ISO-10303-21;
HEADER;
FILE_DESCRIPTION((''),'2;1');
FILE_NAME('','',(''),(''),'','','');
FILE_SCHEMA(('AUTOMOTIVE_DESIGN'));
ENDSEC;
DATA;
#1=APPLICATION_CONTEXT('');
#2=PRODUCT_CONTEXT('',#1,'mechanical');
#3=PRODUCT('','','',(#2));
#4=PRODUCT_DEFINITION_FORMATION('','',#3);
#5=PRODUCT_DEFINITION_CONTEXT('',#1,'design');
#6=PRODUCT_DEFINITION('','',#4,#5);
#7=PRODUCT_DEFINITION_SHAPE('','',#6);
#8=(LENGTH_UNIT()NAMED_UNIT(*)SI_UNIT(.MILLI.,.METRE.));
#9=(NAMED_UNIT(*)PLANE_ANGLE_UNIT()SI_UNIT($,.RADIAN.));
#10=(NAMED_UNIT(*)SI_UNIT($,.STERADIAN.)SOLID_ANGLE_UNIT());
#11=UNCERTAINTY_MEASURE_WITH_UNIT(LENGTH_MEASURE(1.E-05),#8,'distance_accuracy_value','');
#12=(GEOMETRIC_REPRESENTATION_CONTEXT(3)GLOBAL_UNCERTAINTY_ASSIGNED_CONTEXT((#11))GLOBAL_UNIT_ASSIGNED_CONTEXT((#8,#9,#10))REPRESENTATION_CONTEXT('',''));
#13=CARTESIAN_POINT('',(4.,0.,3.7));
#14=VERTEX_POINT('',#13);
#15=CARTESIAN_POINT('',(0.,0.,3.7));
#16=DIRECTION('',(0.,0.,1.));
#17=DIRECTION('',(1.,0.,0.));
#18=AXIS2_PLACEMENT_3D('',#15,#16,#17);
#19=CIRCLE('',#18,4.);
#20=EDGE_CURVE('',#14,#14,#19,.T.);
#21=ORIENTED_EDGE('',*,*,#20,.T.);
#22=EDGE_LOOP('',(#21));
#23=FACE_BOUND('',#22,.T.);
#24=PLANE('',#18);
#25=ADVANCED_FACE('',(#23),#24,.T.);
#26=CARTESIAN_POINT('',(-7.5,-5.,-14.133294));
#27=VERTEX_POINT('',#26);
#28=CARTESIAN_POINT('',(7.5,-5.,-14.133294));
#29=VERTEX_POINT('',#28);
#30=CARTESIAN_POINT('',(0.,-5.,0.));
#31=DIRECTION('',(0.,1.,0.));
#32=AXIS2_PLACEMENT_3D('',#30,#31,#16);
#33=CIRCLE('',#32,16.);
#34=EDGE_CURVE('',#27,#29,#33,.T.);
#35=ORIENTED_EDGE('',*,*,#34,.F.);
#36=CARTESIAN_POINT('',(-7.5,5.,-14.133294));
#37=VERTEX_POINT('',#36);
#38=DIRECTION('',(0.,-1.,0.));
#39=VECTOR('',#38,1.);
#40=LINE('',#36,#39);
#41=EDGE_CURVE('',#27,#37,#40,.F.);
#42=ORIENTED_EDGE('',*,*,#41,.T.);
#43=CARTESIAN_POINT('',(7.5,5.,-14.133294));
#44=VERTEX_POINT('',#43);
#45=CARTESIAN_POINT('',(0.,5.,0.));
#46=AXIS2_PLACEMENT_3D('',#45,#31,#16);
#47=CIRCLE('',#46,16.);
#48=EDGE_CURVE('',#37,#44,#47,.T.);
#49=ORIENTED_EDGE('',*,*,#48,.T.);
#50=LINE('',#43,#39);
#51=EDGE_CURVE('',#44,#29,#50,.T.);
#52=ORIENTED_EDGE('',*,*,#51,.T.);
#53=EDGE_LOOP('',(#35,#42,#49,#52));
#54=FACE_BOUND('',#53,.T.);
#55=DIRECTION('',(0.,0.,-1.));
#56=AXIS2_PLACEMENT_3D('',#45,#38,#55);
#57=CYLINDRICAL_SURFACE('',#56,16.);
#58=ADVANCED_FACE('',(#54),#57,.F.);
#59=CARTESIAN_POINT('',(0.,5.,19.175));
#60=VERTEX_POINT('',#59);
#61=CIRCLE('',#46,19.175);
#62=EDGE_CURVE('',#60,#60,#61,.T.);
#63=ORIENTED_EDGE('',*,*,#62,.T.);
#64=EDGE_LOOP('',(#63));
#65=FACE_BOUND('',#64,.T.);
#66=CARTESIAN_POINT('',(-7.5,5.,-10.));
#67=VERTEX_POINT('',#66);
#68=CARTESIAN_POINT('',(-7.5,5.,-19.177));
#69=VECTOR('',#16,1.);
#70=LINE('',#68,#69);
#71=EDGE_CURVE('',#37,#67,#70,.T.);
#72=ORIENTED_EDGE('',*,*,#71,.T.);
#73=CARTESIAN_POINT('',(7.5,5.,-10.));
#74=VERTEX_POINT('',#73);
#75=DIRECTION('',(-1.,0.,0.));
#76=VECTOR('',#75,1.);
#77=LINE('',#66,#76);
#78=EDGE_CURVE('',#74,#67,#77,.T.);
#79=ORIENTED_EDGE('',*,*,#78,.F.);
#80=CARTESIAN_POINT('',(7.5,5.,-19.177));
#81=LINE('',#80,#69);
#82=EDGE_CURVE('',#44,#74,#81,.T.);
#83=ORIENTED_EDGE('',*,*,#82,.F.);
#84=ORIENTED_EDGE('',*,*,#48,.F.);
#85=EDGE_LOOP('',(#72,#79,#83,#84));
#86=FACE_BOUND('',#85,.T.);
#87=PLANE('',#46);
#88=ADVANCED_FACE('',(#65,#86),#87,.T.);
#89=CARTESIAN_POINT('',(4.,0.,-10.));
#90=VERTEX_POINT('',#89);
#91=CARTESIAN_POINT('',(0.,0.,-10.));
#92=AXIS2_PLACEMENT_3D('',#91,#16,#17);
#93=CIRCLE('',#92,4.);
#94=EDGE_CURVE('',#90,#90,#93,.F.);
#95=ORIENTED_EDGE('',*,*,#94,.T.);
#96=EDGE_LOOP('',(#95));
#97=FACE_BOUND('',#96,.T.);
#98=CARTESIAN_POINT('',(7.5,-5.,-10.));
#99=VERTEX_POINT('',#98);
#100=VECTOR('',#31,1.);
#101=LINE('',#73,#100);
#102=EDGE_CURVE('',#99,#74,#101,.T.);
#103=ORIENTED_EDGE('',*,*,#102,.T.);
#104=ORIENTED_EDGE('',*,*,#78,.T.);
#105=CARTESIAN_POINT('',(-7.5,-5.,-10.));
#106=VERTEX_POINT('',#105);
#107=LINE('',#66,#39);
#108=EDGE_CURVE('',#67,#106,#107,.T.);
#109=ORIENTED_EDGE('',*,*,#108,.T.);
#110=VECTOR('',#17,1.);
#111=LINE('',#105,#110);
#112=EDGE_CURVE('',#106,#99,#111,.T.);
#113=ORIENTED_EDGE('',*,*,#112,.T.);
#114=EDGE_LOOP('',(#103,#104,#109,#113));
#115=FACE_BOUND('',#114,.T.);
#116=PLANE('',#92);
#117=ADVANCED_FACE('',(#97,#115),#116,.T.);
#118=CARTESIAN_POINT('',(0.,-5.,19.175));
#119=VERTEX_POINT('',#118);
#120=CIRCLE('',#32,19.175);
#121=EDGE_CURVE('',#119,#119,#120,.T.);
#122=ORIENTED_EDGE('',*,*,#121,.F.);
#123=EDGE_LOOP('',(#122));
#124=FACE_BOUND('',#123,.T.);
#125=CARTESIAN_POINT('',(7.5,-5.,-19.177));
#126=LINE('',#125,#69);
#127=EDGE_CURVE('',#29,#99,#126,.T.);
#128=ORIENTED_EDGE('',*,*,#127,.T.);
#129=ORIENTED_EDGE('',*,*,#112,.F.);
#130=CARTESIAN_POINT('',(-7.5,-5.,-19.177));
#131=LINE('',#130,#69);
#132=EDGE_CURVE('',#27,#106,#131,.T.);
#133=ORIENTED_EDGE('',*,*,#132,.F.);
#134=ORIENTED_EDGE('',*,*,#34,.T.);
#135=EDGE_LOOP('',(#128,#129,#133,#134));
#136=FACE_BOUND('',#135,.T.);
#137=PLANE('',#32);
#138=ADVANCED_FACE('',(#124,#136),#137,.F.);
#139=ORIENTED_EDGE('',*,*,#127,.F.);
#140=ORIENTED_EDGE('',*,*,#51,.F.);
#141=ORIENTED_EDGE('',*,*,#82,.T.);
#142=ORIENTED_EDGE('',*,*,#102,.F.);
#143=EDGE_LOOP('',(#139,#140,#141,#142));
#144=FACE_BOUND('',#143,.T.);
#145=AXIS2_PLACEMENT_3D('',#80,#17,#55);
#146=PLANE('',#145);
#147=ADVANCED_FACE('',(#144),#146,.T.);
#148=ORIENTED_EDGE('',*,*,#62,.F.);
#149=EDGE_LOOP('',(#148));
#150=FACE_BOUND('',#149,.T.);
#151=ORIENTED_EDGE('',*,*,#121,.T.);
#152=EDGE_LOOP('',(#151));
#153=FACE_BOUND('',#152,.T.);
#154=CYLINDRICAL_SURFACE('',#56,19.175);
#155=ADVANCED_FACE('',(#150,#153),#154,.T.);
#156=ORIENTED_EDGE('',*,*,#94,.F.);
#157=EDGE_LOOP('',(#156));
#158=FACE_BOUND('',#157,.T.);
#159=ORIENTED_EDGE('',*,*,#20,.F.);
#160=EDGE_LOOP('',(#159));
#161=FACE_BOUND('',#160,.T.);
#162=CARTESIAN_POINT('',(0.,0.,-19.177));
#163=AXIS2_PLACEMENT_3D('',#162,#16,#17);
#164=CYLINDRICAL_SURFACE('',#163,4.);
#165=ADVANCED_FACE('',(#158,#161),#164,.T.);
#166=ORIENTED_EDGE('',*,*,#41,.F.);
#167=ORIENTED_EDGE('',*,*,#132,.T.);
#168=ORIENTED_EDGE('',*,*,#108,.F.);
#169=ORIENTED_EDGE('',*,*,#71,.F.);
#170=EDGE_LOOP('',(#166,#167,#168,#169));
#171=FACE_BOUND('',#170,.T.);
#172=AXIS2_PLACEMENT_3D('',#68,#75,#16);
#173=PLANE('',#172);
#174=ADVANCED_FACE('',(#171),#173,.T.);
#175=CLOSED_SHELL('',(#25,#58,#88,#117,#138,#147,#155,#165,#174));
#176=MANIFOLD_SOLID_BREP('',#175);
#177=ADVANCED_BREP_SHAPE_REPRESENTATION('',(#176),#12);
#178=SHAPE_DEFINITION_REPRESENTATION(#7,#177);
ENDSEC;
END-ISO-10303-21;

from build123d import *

# Parameters (mm, degrees)
SKETCH6_R           = 19.175
SKETCH6_R_2         = 16
BOSS_EXTRUDE4_DEPTH = 5
BOSS_EXTRUDE5_REACH = 32.265
SKETCH7_R           = 4
BOSS_EXTRUDE6_REACH = 37.268
SKETCH8_W           = 15
SKETCH8_H           = 10


with BuildPart() as part:
    # Sketch6 → Boss-Extrude4 (new, symmetric)
    with BuildSketch(Plane(origin=(0, 0, 0), x_dir=(1, 0, 0), z_dir=(0, 1, 0))):
        Circle(SKETCH6_R)
        Circle(SKETCH6_R_2, mode=Mode.SUBTRACT)
    extrude(amount=BOSS_EXTRUDE4_DEPTH, both=True)

    # Sketch7 → Boss-Extrude5 (add, up to next)
    with BuildSketch(Plane.XY.offset(3.7), mode=Mode.PRIVATE) as boss_extrude5_sk1:
        Circle(SKETCH7_R)
    boss_extrude5_tool1 = extrude(boss_extrude5_sk1.sketch, amount=-BOSS_EXTRUDE5_REACH, mode=Mode.PRIVATE) - part.part
    add(boss_extrude5_tool1.solids().sort_by_distance((0, 0, 3.7))[0])

    # Sketch8 → Boss-Extrude6 (add, up to next)
    with BuildSketch(Plane.XY.offset(-10), mode=Mode.PRIVATE) as boss_extrude6_sk1:
        Rectangle(SKETCH8_W, SKETCH8_H)
    boss_extrude6_tool1 = extrude(boss_extrude6_sk1.sketch, amount=-BOSS_EXTRUDE6_REACH, mode=Mode.PRIVATE) - part.part
    add(boss_extrude6_tool1.solids().sort_by_distance((0, 0, -10))[0])


solid = part.part
